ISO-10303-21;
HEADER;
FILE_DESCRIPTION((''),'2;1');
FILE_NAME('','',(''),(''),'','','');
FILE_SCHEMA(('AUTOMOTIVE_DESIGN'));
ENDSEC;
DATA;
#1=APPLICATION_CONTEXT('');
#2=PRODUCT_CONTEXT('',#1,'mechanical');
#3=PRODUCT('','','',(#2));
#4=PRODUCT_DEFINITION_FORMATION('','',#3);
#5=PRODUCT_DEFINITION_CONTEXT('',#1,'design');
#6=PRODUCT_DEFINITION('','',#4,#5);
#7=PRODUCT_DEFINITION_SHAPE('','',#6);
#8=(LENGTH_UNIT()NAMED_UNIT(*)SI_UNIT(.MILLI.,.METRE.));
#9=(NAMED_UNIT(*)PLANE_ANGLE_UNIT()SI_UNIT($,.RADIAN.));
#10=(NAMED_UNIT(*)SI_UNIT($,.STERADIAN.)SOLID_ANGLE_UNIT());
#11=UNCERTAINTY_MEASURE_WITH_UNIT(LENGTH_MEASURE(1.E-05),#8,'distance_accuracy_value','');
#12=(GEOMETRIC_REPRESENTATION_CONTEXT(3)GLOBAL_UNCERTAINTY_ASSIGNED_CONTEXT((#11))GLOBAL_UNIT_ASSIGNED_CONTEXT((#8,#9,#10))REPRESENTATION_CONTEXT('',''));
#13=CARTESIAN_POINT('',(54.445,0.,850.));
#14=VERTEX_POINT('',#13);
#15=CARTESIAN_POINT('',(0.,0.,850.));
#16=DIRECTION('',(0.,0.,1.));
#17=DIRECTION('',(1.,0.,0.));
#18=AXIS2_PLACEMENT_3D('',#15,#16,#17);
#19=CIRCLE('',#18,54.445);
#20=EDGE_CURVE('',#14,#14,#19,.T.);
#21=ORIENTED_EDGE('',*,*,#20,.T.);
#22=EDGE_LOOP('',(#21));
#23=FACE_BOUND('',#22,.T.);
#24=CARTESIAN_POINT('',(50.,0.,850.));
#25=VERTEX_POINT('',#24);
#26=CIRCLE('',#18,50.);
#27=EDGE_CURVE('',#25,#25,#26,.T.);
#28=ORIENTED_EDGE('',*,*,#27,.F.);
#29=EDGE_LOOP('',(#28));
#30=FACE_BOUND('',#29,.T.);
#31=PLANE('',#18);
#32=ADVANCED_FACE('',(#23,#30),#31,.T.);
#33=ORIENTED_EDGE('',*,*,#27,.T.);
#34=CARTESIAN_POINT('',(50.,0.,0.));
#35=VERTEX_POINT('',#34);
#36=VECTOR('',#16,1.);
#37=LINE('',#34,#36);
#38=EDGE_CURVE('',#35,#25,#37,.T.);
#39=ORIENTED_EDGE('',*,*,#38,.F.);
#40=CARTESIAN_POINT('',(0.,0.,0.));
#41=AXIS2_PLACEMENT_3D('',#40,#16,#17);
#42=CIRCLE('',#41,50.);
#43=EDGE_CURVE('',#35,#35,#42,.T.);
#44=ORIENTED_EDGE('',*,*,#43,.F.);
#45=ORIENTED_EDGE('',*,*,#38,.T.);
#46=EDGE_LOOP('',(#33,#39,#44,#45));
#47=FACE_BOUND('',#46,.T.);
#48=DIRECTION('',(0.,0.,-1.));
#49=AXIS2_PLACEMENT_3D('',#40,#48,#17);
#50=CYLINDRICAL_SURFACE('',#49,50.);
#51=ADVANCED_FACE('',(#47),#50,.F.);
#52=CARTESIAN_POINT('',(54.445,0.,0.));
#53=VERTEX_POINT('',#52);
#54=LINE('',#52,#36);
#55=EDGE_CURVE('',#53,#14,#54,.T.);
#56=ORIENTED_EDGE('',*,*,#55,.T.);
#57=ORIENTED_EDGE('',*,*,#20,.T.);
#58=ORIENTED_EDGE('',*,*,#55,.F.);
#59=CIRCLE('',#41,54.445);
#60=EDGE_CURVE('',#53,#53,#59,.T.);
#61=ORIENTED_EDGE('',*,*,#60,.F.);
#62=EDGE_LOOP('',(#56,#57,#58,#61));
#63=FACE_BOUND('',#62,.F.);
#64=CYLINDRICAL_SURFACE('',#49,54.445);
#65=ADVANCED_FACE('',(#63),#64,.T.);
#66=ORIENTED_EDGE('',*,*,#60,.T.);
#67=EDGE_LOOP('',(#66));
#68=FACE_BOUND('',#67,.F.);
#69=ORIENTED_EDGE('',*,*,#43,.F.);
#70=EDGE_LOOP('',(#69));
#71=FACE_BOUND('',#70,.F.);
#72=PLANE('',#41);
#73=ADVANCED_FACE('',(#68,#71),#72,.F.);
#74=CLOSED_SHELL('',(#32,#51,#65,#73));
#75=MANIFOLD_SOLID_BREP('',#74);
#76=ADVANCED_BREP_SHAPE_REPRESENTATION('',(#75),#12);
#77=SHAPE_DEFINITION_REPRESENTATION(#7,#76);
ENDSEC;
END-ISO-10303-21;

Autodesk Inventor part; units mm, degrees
ref_plane "YZ Plane" through (0, 0, 0) normal (1, 0, 0) x (0, 1, 0)
ref_plane "XZ Plane" through (0, 0, 0) normal (0, 1, 0) x (-1, 0, 0)
ref_plane "XY Plane" through (0, 0, 0) normal (0, 0, 1) x (1, 0, 0)
sketch "Sketch1" plane through (0, 0, 0) normal (0, 0, 1) x (1, 0, 0)
  circle A0 centre (0, 0) radius 50
  circle A1 centre (0, 0) radius 54.445
  dimension "d0" = 100
  dimension "d1" = 4.445
extrude "Extrusion1" add sketch "Sketch1" along normal blind 850
properties part number "pipe0.85m"
